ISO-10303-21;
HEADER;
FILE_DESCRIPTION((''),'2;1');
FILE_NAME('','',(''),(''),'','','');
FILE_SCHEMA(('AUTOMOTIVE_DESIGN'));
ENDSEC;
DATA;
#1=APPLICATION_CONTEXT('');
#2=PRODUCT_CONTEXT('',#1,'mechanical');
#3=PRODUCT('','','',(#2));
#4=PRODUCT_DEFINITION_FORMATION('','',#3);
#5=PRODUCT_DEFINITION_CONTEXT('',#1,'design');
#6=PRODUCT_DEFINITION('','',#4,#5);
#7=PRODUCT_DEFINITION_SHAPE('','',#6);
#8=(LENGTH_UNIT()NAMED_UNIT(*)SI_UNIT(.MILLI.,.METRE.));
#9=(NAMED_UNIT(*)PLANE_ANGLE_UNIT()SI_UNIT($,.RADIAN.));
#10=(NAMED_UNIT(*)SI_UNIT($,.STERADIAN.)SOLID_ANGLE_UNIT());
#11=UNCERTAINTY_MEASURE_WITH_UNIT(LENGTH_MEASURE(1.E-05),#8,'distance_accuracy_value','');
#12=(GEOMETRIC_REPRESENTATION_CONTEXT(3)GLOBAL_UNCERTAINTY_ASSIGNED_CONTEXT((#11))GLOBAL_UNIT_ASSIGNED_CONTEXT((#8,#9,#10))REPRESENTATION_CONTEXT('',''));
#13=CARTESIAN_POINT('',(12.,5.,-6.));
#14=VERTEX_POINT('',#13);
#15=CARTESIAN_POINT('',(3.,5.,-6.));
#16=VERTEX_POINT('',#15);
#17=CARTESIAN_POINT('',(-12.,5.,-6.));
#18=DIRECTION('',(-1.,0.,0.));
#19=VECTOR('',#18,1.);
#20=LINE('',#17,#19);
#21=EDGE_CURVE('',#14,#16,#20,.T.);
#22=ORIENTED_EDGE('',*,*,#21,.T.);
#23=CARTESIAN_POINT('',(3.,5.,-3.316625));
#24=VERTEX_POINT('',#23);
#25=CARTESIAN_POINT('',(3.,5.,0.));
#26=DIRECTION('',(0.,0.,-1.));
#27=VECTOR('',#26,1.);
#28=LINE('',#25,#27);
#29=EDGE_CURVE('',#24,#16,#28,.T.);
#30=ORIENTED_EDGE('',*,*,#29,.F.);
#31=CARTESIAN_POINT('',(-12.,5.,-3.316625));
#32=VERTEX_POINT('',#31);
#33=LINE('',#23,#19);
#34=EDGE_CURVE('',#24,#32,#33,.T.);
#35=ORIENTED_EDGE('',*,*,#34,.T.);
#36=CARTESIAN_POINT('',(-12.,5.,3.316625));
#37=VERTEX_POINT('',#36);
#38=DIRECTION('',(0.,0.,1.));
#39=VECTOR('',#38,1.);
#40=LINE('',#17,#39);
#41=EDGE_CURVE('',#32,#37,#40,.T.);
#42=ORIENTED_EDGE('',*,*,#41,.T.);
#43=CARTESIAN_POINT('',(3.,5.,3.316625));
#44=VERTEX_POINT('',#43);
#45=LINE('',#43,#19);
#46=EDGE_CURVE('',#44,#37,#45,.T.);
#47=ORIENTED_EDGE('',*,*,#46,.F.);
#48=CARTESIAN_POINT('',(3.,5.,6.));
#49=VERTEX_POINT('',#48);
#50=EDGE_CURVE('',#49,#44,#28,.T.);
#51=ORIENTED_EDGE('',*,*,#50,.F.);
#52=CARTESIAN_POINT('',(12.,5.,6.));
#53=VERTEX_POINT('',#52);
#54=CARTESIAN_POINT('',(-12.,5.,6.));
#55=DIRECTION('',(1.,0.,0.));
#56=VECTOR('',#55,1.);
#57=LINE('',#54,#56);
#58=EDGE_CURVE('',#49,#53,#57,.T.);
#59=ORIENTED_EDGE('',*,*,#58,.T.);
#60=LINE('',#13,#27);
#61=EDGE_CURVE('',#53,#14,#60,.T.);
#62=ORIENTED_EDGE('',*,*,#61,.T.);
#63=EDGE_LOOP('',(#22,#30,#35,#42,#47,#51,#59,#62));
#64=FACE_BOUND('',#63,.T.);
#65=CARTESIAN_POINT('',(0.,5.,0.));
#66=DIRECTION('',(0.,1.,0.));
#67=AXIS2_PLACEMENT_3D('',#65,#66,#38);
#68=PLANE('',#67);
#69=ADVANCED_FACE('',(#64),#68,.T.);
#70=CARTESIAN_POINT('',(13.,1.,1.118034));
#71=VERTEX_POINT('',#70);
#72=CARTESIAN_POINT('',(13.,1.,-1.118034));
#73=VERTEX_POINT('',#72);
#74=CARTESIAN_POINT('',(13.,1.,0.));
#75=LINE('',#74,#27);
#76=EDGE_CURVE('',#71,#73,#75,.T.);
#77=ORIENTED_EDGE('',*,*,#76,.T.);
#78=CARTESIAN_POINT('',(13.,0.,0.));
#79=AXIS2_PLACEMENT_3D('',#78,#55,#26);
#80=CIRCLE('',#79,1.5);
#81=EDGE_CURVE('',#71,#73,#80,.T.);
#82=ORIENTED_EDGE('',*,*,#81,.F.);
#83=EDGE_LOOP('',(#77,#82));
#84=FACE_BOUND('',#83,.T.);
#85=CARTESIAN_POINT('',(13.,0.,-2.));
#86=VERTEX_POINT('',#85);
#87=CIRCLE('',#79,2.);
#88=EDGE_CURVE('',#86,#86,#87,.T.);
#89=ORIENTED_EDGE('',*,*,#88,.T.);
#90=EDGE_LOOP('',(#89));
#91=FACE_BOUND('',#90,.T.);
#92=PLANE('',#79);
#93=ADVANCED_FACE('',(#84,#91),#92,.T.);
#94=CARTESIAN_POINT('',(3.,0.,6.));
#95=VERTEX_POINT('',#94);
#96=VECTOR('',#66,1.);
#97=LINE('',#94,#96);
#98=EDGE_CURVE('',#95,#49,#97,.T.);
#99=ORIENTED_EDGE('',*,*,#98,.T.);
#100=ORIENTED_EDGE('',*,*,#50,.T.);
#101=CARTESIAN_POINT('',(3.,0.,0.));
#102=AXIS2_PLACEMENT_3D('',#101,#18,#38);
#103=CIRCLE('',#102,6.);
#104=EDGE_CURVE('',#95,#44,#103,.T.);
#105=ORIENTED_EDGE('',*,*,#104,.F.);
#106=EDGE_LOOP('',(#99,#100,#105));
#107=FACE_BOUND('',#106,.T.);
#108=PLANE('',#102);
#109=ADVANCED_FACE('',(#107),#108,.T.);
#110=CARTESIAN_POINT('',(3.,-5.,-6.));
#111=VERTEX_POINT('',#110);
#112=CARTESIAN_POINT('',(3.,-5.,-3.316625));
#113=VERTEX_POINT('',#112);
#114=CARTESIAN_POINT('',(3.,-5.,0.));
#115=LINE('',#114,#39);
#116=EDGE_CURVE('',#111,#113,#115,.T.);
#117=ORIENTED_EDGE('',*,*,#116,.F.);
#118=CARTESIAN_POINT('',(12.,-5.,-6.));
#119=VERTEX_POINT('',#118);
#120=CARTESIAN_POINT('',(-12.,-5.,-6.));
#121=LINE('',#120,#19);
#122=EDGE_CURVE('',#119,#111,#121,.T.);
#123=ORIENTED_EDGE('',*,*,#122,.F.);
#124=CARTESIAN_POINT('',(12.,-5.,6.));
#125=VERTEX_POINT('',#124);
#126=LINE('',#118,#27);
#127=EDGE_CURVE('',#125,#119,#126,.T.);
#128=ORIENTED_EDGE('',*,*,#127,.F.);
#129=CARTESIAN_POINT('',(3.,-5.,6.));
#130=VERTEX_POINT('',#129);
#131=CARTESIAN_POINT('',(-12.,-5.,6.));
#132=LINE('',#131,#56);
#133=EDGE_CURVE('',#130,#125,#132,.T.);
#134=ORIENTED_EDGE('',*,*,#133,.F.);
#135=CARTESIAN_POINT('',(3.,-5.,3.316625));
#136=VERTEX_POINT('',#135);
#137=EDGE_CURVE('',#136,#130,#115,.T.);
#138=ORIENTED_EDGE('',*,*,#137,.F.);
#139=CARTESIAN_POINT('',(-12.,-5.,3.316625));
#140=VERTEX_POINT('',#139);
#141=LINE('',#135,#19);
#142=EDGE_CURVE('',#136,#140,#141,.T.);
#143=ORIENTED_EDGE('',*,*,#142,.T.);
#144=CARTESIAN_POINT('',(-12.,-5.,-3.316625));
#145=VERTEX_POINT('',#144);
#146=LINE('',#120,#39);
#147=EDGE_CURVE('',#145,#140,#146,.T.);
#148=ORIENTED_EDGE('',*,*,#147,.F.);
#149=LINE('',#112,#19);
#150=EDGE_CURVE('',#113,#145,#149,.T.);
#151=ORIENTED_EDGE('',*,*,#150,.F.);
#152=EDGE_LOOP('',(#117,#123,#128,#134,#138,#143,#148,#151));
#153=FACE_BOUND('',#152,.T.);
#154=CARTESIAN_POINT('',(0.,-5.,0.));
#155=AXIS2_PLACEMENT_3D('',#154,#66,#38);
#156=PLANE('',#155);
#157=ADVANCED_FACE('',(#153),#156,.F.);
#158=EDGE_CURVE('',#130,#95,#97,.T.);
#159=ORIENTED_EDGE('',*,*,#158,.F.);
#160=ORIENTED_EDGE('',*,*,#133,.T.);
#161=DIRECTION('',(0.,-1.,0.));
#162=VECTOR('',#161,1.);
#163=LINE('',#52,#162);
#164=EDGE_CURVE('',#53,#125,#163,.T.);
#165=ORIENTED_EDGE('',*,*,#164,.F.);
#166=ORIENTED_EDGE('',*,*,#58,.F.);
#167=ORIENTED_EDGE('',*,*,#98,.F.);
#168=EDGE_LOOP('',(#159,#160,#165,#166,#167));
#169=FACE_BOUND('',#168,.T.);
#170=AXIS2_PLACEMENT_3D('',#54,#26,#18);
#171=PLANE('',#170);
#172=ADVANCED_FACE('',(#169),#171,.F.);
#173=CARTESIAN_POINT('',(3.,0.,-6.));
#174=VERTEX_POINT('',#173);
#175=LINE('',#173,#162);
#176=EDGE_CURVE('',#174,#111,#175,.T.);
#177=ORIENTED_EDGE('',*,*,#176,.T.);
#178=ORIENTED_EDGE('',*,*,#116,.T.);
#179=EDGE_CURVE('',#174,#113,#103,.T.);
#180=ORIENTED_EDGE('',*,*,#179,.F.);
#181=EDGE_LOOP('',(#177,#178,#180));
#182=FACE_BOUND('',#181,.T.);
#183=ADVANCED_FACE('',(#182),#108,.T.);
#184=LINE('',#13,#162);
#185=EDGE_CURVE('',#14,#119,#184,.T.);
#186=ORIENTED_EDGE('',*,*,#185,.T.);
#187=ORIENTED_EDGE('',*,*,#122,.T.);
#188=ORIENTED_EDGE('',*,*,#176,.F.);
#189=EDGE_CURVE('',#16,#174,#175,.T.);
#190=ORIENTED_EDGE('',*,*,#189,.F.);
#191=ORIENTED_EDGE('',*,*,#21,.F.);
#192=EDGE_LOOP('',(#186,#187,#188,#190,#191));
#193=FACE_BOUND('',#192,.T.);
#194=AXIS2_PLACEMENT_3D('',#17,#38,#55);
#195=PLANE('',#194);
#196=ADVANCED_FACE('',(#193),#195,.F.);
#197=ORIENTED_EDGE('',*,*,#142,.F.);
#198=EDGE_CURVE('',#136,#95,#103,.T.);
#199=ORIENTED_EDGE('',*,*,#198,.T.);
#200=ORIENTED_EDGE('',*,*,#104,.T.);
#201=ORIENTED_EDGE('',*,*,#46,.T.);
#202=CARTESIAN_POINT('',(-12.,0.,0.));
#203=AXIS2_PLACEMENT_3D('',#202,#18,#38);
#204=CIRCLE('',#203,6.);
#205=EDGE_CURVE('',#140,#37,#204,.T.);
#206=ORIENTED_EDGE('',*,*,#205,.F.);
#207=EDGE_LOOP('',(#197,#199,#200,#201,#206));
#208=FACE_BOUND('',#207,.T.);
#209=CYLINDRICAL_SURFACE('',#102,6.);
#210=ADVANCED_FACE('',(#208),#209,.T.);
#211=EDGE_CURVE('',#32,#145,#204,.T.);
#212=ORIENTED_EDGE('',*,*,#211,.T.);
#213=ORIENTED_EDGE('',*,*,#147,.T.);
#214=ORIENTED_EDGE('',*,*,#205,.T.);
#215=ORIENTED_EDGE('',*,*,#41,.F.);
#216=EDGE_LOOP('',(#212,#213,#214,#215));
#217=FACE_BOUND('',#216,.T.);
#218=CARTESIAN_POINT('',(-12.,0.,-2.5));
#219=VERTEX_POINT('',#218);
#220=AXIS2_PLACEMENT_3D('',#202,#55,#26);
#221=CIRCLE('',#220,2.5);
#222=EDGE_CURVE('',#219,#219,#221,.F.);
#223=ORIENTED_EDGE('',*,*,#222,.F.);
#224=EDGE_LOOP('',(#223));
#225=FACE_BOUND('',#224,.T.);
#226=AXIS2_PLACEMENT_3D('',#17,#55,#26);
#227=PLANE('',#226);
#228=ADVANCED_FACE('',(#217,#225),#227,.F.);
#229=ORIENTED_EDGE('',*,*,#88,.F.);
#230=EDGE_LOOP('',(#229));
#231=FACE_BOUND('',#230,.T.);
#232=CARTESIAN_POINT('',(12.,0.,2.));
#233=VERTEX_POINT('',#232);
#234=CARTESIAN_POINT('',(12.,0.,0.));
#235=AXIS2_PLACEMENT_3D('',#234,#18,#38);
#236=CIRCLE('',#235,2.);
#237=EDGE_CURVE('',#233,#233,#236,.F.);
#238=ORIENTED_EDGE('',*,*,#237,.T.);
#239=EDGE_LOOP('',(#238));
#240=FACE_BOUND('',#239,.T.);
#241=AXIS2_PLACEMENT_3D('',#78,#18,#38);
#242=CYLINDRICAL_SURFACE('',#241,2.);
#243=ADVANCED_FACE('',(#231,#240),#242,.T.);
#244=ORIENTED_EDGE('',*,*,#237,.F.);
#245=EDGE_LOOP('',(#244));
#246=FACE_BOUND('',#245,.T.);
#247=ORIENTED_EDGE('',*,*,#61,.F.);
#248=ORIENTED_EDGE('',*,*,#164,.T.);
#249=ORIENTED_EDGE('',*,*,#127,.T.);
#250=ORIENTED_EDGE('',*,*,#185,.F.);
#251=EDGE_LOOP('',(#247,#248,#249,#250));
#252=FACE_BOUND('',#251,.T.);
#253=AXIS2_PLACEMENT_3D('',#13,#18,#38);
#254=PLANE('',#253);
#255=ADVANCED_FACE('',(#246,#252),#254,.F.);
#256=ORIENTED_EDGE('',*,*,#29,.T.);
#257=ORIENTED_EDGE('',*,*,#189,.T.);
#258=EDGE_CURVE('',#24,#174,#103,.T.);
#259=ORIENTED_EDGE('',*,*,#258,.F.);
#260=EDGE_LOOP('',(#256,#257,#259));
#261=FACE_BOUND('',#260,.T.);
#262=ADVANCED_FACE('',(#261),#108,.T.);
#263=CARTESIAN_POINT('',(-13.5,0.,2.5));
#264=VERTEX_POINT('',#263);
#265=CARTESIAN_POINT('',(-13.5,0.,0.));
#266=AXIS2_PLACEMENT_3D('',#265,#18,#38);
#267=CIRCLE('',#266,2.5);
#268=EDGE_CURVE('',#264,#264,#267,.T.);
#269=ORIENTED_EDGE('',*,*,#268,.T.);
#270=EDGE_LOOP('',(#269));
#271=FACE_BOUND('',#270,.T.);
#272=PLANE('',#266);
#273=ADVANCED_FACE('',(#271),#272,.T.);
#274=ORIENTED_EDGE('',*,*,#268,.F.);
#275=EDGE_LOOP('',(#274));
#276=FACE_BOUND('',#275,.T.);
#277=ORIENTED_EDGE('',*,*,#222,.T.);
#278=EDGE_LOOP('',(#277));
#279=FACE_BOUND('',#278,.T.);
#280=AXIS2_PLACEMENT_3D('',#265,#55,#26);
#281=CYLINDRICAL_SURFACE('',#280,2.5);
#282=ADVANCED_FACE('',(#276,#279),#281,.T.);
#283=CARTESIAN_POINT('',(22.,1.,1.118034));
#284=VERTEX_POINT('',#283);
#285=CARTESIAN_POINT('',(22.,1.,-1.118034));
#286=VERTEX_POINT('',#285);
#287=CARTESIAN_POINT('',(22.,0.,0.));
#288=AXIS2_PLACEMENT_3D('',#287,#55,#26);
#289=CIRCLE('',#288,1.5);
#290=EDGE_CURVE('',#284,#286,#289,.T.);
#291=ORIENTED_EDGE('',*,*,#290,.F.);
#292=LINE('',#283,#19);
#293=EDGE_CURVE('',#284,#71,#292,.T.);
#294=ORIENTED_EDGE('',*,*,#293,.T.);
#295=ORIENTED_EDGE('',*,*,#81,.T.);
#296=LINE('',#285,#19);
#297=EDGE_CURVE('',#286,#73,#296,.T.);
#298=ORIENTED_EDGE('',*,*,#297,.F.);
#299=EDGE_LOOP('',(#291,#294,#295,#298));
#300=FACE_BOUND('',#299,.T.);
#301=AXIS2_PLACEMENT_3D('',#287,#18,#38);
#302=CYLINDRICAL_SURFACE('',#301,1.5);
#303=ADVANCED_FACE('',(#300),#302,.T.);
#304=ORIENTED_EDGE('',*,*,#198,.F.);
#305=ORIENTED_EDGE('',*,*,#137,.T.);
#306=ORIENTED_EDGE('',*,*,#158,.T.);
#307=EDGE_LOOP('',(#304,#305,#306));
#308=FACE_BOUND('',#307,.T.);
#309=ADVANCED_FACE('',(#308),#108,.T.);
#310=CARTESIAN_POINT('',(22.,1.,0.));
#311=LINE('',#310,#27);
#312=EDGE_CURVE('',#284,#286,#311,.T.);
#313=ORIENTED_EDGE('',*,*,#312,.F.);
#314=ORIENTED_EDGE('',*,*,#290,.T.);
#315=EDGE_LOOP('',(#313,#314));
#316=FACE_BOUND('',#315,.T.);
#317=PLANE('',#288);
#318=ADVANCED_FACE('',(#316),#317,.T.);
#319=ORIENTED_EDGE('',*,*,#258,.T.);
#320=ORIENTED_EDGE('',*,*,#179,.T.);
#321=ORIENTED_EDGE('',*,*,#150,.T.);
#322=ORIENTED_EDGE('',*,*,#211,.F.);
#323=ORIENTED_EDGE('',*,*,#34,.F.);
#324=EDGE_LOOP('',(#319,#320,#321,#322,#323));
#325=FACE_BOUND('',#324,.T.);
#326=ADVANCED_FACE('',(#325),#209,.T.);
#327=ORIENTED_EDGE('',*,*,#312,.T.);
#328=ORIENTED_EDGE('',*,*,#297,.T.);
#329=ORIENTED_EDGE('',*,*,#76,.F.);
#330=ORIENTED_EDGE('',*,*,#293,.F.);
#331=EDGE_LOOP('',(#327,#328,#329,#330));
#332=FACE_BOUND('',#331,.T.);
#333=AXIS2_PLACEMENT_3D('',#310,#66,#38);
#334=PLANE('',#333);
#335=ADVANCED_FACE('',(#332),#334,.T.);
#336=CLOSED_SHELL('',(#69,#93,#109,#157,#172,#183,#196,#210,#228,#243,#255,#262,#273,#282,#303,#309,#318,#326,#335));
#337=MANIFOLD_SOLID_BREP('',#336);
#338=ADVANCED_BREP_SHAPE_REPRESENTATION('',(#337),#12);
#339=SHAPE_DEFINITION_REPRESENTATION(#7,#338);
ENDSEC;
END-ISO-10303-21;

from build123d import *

# Parameters (mm, degrees)
SKETCH_1_W          = 24
SKETCH_1_H          = 12
EXTRUDE_1_DEPTH     = 5
CUT_EXTRUDE_1_DEPTH = 15
SKETCH_2_3_R        = 2.5
EXTRUDE_2_DEPTH     = 1.5
SKETCH_4_R          = 2
EXTRUDE_3_DEPTH     = 1
EXTRUDE_4_DEPTH     = 9


with BuildPart() as part:
    # Эскиз1 → Бобышка-Вытянуть1 (new, symmetric)
    with BuildSketch(Plane(origin=(0, 0, 0), x_dir=(1, 0, 0), z_dir=(0, 1, 0))):
        Rectangle(SKETCH_1_W, SKETCH_1_H)
    extrude(amount=EXTRUDE_1_DEPTH, both=True)

    # Эскиз2 → Вырез-Вытянуть1 (cut)
    with BuildSketch(Plane.ZY.offset(12)):
        with BuildLine():
            Line((6, -5), (6, 0))
            ThreePointArc((6, 0), (5.286764074, -2.837274331), (3.31662479, -5))
            Line((3.31662479, -5), (6, -5))
        make_face()
        with BuildLine():
            ThreePointArc((3.31662479, 5), (5.286764074, 2.837274331), (6, 0))
            Line((6, 0), (6, 5))
            Line((6, 5), (3.31662479, 5))
        make_face()
        with BuildLine():
            ThreePointArc((-6, 0), (-5.286764074, 2.837274331), (-3.31662479, 5))
            Line((-3.31662479, 5), (-6, 5))
            Line((-6, 5), (-6, 0))
        make_face()
        with BuildLine():
            Line((-6, -5), (-3.31662479, -5))
            ThreePointArc((-3.31662479, -5), (-5.286764074, -2.837274331), (-6, 0))
            Line((-6, 0), (-6, -5))
        make_face()
    extrude(amount=-CUT_EXTRUDE_1_DEPTH, mode=Mode.SUBTRACT)

    # Эскиз2<3> → Бобышка-Вытянуть2 (add)
    with BuildSketch(Plane.ZY.offset(12)):
        Circle(SKETCH_2_3_R)
    extrude(amount=EXTRUDE_2_DEPTH)

    # Эскиз4 → Бобышка-Вытянуть3 (add)
    with BuildSketch(Plane(origin=(12, 0, 0), x_dir=(0, 0, -1), z_dir=(1, 0, 0))):
        Circle(SKETCH_4_R)
    extrude(amount=EXTRUDE_3_DEPTH)

    # Эскиз5 → Бобышка-Вытянуть4 (add)
    with BuildSketch(Plane(origin=(13, 0, 0), x_dir=(0, 0, -1), z_dir=(1, 0, 0))):
        with BuildLine():
            Line((1.118033989, 1), (-1.118033989, 1))
            ThreePointArc((-1.118033989, 1), (-0.535233135, -1.401258538), (1.5, 0))
            ThreePointArc((1.5, 0), (1.401258538, 0.535233135), (1.118033989, 1))
        make_face()
    extrude(amount=EXTRUDE_4_DEPTH)


solid = part.part
